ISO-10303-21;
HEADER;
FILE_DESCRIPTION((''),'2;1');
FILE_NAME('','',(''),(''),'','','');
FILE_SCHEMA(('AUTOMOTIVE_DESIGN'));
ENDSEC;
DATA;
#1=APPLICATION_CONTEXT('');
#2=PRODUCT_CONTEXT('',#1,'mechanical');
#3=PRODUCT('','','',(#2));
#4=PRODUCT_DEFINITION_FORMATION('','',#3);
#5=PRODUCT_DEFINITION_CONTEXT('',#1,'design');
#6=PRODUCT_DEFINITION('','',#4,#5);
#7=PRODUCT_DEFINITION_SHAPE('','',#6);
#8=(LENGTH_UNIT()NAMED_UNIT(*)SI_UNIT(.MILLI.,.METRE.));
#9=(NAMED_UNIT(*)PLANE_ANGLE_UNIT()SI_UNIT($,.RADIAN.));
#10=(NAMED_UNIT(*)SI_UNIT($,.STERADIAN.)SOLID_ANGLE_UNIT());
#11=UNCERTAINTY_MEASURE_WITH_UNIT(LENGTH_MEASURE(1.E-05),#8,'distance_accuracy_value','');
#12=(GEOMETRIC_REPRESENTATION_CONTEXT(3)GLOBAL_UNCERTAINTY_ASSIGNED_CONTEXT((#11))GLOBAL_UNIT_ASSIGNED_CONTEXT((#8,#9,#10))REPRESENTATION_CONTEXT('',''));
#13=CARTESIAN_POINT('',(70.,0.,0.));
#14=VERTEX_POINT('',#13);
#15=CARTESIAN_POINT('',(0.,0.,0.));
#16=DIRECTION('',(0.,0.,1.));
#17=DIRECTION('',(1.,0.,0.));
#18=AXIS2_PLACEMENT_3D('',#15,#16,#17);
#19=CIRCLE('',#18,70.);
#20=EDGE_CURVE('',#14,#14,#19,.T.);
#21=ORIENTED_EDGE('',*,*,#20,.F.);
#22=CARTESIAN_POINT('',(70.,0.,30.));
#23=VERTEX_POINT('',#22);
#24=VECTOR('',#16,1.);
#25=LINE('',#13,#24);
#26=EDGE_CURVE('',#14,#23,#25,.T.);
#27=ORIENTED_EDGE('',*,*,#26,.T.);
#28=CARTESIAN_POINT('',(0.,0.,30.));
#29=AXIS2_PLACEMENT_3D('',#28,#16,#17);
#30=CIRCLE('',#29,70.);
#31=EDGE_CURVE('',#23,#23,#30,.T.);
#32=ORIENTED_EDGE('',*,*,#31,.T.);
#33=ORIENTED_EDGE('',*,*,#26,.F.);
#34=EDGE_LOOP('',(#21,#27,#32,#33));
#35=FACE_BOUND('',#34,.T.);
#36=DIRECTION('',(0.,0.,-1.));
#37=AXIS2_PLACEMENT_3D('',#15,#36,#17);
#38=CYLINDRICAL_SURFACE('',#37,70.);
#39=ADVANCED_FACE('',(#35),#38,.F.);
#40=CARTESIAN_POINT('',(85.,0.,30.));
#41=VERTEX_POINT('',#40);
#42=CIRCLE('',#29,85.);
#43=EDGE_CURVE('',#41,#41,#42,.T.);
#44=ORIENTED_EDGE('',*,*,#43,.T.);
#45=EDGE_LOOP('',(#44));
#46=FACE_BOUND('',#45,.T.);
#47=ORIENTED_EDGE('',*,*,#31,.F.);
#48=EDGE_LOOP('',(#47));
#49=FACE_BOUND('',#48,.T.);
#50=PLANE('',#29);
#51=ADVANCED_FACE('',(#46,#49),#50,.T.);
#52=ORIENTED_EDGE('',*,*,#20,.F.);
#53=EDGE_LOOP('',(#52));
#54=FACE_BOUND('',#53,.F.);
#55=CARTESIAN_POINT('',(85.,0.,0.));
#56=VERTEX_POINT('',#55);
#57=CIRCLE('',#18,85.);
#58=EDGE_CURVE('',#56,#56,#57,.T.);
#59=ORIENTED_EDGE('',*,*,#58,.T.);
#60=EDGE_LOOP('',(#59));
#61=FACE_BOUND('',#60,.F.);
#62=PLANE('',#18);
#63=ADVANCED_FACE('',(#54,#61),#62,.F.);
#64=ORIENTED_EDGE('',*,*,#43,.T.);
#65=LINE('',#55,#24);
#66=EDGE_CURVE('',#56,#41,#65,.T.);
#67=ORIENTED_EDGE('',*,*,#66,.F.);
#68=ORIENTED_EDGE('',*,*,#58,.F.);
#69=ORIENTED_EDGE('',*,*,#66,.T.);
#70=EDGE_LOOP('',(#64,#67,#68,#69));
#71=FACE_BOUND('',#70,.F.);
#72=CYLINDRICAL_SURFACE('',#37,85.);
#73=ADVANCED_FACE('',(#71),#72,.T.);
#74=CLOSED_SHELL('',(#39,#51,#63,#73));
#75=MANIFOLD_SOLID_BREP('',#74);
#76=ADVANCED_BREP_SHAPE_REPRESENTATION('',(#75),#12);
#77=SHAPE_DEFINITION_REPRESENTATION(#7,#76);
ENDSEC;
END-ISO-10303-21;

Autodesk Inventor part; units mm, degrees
ref_plane "YZ Plane" through (0, 0, 0) normal (1, 0, 0) x (0, 1, 0)
ref_plane "XZ Plane" through (0, 0, 0) normal (0, 1, 0) x (-1, 0, 0)
ref_plane "XY Plane" through (0, 0, 0) normal (0, 0, 1) x (1, 0, 0)
sketch "Sketch1" plane through (0, 0, 0) normal (0, 0, 1) x (1, 0, 0)
  circle A0 centre (0, 0) radius 70
  circle A1 centre (0, 0) radius 85
  dimension "d0" = 140
  dimension "d1" = 170
extrude "Extrusion1" add sketch "Sketch1" along normal blind 30
properties part number "Spacer_Flantzas_Exodou"
